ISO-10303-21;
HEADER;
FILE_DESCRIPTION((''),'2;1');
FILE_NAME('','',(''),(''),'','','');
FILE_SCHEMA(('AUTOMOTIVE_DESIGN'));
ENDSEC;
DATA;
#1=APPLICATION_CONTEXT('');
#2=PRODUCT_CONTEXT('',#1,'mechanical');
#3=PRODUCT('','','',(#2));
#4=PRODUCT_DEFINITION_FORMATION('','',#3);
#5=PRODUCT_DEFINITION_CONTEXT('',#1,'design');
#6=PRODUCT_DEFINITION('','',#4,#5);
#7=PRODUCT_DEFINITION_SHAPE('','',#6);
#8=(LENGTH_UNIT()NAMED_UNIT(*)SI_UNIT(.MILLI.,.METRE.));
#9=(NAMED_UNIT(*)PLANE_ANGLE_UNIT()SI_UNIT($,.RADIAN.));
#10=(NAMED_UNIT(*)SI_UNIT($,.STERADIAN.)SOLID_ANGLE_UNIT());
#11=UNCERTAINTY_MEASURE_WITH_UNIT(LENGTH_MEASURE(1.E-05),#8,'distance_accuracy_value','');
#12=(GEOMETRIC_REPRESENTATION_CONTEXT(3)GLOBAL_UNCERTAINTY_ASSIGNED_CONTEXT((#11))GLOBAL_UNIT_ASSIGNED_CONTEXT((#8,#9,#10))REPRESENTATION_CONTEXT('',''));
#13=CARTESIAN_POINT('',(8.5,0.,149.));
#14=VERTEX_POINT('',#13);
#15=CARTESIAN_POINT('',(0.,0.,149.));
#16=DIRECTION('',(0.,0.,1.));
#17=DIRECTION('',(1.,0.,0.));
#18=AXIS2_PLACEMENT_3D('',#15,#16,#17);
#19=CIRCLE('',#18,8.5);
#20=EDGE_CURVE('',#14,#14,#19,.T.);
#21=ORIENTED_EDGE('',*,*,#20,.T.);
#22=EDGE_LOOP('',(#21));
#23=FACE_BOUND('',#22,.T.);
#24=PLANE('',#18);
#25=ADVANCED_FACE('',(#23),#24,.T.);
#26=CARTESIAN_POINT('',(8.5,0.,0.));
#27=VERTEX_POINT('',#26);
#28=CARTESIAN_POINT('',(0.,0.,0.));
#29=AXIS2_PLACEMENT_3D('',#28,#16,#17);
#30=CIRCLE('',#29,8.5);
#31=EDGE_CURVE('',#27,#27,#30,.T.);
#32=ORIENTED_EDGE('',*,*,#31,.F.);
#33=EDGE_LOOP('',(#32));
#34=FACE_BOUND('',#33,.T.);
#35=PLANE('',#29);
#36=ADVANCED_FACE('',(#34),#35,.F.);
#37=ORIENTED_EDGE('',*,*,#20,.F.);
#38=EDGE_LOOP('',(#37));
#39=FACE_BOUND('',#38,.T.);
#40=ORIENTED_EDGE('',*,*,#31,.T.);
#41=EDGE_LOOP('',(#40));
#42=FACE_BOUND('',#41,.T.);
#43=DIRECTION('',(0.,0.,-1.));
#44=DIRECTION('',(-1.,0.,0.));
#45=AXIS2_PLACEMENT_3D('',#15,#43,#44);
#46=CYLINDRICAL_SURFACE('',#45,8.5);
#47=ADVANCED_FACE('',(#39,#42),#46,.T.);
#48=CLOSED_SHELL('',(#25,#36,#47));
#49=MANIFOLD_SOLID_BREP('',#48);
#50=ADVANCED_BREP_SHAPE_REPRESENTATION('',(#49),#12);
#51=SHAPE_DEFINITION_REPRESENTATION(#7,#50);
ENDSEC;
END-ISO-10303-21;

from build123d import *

# Parameters (mm, degrees)
CROQUIS1_R              = 8.5
SALIENTE_EXTRUIR1_DEPTH = 149


with BuildPart() as part:
    # Croquis1 → Saliente-Extruir1 (new body)
    with BuildSketch(Plane.XY):
        Circle(CROQUIS1_R)
    extrude(amount=SALIENTE_EXTRUIR1_DEPTH)


solid = part.part
